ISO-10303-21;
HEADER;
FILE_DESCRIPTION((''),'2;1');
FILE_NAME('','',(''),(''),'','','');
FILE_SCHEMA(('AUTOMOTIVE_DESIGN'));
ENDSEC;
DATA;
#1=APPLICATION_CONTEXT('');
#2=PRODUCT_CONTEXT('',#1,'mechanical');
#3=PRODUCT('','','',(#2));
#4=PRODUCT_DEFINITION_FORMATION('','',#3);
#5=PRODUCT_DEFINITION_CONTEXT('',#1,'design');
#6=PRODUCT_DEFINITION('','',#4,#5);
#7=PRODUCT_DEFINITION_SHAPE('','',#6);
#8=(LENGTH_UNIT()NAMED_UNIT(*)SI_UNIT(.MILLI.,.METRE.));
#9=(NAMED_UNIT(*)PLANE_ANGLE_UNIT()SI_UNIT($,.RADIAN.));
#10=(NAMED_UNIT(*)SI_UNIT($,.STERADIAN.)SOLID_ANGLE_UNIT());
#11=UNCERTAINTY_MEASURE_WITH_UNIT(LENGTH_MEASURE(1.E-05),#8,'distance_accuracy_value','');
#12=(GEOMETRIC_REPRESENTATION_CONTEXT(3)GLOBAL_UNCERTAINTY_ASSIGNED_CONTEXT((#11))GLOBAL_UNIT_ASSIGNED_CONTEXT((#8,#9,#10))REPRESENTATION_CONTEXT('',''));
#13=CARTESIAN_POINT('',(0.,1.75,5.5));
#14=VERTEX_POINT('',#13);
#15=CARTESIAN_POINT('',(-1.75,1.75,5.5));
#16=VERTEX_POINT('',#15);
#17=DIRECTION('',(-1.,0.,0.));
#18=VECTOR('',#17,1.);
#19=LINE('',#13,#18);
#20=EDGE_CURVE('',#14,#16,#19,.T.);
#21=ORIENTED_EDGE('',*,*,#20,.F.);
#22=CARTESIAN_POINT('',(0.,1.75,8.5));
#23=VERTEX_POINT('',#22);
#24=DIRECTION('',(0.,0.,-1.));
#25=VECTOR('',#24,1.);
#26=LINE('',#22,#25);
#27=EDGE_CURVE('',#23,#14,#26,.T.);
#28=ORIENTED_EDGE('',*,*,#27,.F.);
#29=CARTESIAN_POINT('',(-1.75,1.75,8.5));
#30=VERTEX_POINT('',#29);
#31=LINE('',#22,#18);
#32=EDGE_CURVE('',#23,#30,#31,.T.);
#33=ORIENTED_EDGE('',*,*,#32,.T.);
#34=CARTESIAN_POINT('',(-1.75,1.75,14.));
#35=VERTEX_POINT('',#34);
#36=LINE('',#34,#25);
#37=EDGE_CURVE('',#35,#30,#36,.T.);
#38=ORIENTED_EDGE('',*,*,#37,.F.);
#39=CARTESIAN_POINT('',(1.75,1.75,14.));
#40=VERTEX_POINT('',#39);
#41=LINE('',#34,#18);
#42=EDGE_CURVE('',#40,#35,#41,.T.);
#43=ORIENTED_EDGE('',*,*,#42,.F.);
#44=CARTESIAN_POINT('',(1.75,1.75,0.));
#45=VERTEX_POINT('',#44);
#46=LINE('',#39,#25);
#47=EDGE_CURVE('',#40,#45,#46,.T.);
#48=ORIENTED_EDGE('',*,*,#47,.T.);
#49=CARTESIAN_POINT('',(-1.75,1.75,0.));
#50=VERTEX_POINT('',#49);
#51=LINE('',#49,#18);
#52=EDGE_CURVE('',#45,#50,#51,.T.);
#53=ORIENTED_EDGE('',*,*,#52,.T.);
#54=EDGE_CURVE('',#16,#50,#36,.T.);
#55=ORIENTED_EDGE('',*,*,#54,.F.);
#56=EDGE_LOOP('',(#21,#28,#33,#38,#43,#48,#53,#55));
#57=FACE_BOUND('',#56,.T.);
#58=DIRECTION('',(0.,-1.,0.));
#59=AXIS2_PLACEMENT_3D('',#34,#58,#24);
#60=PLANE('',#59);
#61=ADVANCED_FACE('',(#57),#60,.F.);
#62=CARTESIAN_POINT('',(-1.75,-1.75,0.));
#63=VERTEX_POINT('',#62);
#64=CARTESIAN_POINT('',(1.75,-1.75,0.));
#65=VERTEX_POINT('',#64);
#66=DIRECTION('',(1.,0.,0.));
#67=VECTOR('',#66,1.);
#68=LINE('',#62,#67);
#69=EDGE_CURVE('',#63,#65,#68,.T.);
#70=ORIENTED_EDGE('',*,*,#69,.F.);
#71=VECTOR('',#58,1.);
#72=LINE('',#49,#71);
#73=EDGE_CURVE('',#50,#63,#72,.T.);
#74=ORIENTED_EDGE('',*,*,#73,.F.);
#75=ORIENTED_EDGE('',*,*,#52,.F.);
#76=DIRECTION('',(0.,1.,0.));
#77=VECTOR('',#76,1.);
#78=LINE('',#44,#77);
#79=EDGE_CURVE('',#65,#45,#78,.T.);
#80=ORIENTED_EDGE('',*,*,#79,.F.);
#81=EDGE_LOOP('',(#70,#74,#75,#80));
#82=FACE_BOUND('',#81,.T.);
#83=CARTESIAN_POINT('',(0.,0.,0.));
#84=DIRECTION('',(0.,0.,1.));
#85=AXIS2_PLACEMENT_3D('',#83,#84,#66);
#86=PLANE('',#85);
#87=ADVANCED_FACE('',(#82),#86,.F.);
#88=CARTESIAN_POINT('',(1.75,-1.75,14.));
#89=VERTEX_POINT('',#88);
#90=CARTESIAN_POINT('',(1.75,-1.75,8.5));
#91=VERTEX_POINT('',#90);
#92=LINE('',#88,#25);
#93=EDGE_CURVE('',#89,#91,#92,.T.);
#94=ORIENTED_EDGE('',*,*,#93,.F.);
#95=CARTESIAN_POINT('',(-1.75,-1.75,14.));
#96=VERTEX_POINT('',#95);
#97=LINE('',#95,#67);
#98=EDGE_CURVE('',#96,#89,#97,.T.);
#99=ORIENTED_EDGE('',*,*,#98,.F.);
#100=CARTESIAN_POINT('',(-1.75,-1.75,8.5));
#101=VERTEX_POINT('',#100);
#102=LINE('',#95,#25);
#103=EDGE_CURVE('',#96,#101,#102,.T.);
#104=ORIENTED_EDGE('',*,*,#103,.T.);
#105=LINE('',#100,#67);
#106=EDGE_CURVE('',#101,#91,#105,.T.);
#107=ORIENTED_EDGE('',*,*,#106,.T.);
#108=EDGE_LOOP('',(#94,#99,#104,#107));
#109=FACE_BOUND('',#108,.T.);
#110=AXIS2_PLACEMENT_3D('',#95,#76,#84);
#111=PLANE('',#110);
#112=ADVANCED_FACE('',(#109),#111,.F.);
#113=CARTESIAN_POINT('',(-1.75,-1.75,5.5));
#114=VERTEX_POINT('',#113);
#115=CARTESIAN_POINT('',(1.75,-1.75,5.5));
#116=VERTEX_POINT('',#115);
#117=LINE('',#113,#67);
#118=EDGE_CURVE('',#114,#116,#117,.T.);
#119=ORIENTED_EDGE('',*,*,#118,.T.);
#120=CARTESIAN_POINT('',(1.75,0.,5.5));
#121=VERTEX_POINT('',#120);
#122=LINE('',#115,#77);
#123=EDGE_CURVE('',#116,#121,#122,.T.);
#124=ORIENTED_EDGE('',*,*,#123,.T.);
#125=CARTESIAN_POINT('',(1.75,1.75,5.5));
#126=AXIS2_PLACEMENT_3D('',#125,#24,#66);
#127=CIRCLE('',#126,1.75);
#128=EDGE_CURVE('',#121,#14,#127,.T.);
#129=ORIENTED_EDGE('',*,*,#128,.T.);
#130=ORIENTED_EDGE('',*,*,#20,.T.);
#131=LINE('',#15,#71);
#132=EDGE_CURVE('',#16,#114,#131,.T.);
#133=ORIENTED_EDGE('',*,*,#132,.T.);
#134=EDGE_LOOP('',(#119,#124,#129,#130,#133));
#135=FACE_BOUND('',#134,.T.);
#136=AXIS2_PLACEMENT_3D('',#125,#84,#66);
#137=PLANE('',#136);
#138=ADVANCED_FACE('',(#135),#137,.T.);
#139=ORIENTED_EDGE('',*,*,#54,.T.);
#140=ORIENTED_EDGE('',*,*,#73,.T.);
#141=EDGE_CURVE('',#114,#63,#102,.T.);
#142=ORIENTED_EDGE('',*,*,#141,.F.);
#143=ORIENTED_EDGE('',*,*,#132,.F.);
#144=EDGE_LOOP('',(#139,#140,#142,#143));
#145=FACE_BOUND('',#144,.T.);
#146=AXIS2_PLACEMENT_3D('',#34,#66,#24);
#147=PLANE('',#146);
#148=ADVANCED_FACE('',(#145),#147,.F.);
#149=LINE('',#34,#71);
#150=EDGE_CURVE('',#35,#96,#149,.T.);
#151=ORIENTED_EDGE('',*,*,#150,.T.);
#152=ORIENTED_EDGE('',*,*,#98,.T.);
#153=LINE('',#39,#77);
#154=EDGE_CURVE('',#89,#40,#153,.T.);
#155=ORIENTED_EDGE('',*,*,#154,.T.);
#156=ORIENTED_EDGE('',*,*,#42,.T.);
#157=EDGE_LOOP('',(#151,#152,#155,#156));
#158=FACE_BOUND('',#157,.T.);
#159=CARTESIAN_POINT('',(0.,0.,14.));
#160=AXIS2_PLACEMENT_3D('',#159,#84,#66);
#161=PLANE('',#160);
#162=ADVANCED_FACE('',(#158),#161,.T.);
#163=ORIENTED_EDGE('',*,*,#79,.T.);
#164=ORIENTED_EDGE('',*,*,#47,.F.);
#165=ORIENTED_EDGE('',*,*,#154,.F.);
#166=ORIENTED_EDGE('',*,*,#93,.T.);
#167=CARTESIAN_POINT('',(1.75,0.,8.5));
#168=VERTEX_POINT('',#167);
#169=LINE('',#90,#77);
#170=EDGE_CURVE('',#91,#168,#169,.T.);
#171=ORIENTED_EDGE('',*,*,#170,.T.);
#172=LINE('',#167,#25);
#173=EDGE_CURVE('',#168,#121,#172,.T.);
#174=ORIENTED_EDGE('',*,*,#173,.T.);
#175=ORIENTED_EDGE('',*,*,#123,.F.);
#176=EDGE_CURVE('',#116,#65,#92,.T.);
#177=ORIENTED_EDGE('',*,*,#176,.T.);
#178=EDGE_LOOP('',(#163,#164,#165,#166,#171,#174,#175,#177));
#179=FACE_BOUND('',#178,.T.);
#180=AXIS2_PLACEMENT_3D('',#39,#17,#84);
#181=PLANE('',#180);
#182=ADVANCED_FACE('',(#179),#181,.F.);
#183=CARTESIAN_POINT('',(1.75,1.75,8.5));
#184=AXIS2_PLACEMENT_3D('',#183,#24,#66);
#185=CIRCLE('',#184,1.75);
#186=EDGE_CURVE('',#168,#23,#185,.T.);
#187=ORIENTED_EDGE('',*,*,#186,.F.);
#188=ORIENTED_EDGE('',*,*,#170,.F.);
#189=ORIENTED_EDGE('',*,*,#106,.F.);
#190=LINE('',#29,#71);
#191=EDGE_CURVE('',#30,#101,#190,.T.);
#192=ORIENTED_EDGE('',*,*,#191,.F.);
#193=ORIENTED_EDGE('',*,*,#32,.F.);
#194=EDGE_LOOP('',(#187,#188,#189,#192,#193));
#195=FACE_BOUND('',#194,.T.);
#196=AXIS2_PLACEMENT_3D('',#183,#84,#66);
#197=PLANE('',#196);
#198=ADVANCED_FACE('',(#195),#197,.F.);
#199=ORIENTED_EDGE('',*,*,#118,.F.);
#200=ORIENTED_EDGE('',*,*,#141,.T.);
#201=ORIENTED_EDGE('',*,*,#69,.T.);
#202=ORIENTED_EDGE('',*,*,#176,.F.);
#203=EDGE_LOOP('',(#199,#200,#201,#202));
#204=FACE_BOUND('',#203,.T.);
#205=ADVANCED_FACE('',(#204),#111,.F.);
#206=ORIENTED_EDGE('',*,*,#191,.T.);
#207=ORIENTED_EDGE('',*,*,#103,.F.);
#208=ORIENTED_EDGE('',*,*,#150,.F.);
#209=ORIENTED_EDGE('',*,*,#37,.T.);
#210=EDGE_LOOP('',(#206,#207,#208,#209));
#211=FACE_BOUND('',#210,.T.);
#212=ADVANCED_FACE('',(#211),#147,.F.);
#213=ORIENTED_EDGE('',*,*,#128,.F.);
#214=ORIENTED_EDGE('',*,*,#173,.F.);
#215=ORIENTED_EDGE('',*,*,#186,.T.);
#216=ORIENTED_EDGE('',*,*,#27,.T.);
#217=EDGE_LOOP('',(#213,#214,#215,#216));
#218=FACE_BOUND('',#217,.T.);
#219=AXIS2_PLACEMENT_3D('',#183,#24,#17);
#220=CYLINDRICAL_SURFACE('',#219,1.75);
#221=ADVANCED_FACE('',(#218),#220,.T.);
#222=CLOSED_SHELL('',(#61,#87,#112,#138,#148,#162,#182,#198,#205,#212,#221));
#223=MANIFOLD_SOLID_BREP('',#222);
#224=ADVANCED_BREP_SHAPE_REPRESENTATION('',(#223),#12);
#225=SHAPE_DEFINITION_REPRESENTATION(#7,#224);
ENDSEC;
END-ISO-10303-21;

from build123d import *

# Parameters (mm, degrees)
SKETCH1_W               = 3.5
SKETCH1_H               = 3.5
BOSS_EXTRUDE1_DEPTH     = 14
CUT_EXTRUDE1_DEPTH      = 1.5
CUT_EXTRUDE1_DEPTH_BACK = 1.5


with BuildPart() as part:
    # Sketch1 → Boss-Extrude1 (new body)
    with BuildSketch(Plane.XY):
        Rectangle(SKETCH1_W, SKETCH1_H)
    extrude(amount=BOSS_EXTRUDE1_DEPTH)

    # Sketch2 → Cut-Extrude1 (cut, two sides)
    with BuildSketch(Plane.XY.offset(7)) as cut_extrude1_sk:
        with BuildLine():
            Line((1.75, -1.75), (1.75, 0))
            ThreePointArc((1.75, 0), (0.512563133, 0.512563133), (0, 1.75))
            Line((0, 1.75), (-1.75, 1.75))
            Line((-1.75, 1.75), (-1.75, -1.75))
            Line((-1.75, -1.75), (1.75, -1.75))
        make_face()
    extrude(amount=CUT_EXTRUDE1_DEPTH, mode=Mode.SUBTRACT)
    extrude(cut_extrude1_sk.sketch, amount=-CUT_EXTRUDE1_DEPTH_BACK, mode=Mode.SUBTRACT)


solid = part.part
